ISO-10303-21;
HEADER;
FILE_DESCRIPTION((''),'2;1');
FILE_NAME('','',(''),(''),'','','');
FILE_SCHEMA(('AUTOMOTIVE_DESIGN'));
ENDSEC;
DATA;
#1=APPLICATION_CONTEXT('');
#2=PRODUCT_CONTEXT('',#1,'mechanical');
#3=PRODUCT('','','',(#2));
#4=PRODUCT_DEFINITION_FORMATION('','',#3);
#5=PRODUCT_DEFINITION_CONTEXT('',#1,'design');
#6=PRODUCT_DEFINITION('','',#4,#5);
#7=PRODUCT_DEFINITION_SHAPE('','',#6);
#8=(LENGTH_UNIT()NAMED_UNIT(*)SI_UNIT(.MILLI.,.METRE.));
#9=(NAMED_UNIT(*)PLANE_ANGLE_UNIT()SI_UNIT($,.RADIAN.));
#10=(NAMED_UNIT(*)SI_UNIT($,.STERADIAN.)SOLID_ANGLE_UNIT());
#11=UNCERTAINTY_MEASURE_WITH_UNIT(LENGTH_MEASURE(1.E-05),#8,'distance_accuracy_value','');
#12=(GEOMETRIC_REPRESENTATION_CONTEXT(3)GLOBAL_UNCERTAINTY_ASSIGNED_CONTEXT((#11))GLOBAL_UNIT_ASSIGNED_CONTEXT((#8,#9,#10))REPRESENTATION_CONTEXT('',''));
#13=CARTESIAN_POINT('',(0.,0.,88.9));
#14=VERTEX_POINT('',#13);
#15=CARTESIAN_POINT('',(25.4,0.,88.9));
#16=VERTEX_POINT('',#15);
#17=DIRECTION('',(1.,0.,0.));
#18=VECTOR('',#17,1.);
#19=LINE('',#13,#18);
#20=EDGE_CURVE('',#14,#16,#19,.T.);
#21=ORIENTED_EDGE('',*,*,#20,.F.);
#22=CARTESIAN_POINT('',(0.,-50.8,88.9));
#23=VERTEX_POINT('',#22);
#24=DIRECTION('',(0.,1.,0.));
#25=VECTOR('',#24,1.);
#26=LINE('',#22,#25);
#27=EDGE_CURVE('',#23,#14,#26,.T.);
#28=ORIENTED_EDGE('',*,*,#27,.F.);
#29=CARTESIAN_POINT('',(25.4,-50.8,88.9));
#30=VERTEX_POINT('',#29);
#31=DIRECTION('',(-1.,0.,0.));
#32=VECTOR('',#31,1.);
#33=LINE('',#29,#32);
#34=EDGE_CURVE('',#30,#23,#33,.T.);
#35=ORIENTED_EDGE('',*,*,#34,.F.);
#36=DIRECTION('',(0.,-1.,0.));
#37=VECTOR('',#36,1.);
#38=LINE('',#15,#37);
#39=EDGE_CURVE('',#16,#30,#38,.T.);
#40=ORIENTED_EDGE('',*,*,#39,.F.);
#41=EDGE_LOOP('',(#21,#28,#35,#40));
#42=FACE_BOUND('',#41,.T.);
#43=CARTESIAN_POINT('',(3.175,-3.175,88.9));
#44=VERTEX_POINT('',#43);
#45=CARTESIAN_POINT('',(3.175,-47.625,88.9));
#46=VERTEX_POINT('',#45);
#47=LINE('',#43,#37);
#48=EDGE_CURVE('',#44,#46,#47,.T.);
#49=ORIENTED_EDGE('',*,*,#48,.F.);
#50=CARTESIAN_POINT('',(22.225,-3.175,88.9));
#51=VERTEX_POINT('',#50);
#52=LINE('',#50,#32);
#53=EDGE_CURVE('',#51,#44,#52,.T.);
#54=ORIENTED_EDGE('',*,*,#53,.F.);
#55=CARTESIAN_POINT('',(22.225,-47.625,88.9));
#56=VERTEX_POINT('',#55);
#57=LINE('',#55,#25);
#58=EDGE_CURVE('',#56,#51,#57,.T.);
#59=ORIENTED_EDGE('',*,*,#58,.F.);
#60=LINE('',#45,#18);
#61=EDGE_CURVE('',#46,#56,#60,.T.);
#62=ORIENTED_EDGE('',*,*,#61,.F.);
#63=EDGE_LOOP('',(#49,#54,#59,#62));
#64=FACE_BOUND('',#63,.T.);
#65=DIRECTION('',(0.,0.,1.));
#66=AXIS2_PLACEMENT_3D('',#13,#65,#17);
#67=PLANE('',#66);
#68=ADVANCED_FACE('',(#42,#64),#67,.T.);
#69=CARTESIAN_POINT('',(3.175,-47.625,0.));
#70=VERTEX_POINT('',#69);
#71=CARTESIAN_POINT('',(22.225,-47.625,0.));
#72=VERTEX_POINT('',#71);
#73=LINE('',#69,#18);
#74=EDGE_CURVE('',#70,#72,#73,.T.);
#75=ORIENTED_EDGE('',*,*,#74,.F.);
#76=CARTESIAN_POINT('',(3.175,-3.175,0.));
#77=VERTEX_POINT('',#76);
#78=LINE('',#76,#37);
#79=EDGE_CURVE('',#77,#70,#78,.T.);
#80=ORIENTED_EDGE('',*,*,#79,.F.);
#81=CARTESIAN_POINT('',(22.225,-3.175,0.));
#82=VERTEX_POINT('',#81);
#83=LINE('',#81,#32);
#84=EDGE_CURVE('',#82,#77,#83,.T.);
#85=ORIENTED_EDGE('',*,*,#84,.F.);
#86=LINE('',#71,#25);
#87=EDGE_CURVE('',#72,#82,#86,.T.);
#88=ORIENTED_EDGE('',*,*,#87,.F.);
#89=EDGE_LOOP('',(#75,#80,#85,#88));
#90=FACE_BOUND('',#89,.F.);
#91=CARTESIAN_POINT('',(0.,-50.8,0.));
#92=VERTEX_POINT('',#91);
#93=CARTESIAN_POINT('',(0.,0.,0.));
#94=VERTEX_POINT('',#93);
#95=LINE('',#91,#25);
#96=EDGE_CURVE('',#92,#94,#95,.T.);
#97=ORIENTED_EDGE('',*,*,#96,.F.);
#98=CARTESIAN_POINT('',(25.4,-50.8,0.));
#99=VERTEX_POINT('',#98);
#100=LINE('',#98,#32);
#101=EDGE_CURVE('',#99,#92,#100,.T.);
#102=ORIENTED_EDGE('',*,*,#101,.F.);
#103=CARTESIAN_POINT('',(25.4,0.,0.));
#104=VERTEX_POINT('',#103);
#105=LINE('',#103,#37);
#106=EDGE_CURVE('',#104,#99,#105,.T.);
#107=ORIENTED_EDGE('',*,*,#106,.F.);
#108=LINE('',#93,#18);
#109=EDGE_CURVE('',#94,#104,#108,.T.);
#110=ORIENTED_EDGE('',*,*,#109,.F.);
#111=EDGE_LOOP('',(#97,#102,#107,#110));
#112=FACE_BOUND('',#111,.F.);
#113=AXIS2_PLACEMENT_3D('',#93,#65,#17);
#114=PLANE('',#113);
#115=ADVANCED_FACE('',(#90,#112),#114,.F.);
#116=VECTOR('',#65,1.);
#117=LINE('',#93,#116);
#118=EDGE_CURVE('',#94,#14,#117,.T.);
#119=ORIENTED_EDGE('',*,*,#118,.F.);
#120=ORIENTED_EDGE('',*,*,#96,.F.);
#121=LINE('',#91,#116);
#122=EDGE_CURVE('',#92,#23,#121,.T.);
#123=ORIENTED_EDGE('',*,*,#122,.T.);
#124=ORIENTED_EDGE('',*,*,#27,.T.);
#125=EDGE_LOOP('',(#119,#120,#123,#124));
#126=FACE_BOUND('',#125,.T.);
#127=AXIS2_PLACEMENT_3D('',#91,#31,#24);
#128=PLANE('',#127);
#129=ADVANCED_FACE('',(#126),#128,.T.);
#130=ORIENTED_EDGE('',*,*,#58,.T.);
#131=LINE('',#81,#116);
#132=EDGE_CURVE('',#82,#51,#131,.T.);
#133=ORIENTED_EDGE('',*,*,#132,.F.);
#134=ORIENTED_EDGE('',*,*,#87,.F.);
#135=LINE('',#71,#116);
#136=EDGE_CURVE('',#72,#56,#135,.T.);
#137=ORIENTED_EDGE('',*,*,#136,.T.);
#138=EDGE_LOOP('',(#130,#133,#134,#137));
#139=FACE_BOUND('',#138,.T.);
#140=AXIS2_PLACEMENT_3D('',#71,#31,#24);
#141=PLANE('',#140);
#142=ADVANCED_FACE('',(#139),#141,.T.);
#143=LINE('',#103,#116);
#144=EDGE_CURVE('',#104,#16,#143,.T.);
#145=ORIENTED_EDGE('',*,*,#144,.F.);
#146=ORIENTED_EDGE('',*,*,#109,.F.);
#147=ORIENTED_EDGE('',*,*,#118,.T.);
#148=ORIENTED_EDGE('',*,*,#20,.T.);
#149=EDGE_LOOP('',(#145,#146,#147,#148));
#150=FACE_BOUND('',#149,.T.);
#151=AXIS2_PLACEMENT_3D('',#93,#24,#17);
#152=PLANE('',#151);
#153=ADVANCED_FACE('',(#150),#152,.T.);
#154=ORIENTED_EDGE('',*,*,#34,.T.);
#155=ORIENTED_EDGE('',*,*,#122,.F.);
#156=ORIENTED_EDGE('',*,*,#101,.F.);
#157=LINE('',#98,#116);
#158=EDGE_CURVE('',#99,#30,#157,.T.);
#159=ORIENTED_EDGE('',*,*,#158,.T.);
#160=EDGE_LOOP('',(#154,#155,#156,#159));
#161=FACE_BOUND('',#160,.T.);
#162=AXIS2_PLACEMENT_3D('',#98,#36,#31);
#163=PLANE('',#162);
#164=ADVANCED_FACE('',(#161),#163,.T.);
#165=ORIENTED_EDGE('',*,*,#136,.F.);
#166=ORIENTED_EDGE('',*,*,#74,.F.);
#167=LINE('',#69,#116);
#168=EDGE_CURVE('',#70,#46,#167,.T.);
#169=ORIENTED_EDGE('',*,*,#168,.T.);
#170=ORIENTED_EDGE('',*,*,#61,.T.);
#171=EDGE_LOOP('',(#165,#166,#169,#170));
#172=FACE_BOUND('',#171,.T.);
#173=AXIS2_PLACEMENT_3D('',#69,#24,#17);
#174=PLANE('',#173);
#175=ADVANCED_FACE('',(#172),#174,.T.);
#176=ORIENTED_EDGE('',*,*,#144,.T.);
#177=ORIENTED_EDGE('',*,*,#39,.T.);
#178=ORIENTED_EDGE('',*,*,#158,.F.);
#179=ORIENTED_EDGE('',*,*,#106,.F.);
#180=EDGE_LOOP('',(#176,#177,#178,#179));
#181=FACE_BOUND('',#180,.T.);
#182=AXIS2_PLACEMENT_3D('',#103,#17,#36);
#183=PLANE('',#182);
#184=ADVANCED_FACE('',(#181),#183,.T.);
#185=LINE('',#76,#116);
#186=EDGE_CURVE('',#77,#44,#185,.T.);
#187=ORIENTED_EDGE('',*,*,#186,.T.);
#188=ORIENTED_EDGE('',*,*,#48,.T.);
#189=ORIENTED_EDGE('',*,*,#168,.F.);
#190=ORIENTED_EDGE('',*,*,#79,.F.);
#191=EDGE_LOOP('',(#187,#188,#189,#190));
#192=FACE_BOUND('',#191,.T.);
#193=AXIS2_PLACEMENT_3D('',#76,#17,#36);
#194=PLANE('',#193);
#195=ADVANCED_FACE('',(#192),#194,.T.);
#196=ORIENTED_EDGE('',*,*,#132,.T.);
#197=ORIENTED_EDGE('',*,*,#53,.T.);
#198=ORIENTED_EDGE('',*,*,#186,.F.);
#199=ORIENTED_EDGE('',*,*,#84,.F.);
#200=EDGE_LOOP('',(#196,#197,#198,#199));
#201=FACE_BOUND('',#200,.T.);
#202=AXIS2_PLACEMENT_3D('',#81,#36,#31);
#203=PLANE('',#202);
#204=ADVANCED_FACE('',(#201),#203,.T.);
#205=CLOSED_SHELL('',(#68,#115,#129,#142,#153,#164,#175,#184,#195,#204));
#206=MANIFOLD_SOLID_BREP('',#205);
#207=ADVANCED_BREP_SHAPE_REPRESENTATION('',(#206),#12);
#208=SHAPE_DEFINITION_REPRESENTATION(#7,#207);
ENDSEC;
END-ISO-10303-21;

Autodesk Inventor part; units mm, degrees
ref_plane "YZ Plane" through (0, 0, 0) normal (1, 0, 0) x (0, 1, 0)
ref_plane "XZ Plane" through (0, 0, 0) normal (0, 1, 0) x (-1, 0, 0)
ref_plane "XY Plane" through (0, 0, 0) normal (0, 0, 1) x (1, 0, 0)
sketch "Sketch1" plane through (0, 0, 0) normal (0, 0, 1) x (1, 0, 0)
  line L0 (0, 0) -> (25.4, 0)
  line L1 (25.4, 0) -> (25.4, -50.8)
  line L2 (25.4, -50.8) -> (0, -50.8)
  line L3 (0, -50.8) -> (0, 0)
  line L4 (22.225, -3.175) -> (3.175, -3.175)
  line L5 (3.175, -3.175) -> (3.175, -47.625)
  line L6 (3.175, -47.625) -> (22.225, -47.625)
  line L7 (22.225, -47.625) -> (22.225, -3.175)
  dimension "d0" = 25.4
  dimension "d1" = 50.8
  dimension "d2" = 3.175
  dimension "d3" = 3.175
  dimension "d4" = 3.175
  dimension "d5" = 3.175
extrude "Extrusion1" add sketch "Sketch1" along normal blind 88.9
properties part number "superstructure2" material "Aluminum 6061"
